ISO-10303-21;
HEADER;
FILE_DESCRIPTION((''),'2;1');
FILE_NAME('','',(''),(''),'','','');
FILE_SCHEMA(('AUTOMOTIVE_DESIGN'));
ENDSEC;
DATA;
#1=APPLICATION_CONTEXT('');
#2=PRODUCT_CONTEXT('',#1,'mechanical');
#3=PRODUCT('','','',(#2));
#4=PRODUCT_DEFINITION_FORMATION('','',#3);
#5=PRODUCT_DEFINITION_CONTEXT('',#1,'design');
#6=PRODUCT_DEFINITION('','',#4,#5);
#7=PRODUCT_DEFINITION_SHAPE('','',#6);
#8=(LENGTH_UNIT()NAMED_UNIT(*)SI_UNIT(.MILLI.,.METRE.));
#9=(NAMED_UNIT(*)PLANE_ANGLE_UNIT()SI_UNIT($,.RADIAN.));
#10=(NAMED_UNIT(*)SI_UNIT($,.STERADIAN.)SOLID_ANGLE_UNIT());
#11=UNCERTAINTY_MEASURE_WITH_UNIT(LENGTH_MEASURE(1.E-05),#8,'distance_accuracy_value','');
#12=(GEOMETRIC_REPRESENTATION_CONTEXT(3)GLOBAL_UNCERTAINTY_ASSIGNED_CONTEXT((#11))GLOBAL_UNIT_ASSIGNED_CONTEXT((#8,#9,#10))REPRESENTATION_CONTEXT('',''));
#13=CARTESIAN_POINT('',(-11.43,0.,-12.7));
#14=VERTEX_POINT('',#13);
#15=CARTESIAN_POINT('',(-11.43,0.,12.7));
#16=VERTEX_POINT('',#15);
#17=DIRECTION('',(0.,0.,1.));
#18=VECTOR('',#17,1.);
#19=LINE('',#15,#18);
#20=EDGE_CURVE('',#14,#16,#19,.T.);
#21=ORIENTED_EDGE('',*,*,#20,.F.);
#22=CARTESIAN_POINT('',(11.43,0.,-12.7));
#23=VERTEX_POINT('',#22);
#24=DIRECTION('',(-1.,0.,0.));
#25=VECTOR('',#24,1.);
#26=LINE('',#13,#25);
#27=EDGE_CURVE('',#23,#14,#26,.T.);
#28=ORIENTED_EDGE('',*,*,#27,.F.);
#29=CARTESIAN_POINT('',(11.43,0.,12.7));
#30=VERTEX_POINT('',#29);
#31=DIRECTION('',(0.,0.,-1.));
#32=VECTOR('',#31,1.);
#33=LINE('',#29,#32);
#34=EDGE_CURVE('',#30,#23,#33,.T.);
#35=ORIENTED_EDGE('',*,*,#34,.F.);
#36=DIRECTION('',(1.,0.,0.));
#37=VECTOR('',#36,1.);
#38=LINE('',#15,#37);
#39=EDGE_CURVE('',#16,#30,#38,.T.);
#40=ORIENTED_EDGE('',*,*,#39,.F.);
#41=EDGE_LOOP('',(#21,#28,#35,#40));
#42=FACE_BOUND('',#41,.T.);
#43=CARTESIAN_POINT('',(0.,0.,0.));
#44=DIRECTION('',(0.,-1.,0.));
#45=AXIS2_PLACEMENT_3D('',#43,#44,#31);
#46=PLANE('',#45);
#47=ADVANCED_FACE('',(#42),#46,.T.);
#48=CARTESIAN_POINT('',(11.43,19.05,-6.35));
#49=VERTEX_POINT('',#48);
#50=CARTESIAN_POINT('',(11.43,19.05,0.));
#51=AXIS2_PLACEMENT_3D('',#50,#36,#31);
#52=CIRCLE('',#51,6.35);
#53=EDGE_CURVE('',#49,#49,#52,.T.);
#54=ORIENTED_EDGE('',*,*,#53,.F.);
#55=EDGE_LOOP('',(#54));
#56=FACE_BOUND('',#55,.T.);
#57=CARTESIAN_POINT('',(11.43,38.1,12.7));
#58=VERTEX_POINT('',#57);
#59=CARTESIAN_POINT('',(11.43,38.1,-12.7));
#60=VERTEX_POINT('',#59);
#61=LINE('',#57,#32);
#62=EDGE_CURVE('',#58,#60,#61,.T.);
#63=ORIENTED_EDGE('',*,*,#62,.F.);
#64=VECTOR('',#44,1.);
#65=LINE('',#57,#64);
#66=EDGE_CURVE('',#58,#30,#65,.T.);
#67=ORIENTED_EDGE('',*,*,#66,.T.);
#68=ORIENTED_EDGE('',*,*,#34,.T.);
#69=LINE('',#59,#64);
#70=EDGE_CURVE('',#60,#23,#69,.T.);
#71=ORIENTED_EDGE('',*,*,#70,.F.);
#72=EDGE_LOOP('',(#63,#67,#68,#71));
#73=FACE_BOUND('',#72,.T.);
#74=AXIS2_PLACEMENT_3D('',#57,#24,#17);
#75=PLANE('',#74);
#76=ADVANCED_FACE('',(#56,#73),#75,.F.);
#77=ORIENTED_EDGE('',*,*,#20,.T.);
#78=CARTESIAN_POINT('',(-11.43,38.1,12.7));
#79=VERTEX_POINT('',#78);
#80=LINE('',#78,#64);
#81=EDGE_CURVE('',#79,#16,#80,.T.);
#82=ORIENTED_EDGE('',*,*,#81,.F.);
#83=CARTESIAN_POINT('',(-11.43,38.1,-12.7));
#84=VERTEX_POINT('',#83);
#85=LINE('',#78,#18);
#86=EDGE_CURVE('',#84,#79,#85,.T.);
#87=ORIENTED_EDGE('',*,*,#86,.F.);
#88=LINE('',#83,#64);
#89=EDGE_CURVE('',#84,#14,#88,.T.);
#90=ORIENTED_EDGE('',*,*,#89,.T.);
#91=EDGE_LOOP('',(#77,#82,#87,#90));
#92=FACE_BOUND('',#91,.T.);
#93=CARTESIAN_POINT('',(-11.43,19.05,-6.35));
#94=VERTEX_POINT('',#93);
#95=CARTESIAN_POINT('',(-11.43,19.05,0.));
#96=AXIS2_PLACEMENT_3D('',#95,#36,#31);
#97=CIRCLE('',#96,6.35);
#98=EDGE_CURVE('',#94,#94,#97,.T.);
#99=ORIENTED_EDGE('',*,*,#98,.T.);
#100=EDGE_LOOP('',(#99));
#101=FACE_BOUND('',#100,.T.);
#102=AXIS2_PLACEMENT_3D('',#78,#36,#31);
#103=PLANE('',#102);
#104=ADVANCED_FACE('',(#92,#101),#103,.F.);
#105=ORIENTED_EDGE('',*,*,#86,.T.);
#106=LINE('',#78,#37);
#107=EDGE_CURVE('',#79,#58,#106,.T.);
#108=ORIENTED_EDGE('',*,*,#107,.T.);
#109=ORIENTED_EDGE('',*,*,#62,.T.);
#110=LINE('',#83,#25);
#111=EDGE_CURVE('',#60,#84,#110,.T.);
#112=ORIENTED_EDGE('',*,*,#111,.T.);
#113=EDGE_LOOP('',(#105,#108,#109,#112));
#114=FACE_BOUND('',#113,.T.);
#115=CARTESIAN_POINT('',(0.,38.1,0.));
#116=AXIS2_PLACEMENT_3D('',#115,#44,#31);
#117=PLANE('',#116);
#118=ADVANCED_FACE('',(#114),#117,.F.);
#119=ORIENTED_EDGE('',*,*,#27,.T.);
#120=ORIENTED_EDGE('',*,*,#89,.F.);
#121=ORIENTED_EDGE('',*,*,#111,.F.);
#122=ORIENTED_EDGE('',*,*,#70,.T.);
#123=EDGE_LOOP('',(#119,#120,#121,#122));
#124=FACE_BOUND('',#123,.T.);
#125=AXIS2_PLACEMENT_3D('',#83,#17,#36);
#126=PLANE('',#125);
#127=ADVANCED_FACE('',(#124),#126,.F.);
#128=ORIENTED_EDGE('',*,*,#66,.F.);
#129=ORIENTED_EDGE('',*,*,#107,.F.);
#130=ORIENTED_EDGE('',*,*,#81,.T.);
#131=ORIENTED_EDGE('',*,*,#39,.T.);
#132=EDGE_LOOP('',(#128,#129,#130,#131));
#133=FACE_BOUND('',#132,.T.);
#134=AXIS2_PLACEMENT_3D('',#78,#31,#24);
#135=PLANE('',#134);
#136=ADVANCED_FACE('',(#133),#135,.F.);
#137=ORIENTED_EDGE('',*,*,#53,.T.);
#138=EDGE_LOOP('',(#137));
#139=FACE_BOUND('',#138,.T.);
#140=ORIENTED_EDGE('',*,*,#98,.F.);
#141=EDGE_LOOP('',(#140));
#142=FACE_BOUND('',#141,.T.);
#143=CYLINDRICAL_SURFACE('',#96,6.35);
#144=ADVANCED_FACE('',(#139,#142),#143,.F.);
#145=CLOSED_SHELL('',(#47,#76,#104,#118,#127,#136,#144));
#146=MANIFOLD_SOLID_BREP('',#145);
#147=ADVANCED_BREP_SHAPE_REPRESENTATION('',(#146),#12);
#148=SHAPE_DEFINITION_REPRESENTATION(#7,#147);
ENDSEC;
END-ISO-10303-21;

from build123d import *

# Parameters (mm, degrees)
SKETCH1_W           = 22.86
SKETCH1_H           = 25.4
BOSS_EXTRUDE1_DEPTH = 38.1
SKETCH2_R           = 6.35
CUT_EXTRUDE1_DEPTH  = 47.211249713


with BuildPart() as part:
    # Sketch1 → Boss-Extrude1 (new body)
    with BuildSketch(Plane(origin=(0, 0, 0), x_dir=(1, 0, 0), z_dir=(0, 1, 0))):
        Rectangle(SKETCH1_W, SKETCH1_H)
    extrude(amount=BOSS_EXTRUDE1_DEPTH)

    # Sketch2 → Cut-Extrude1 (cut, through all)
    with BuildSketch(Plane(origin=(11.43, 0, 0), x_dir=(0, 0, -1), z_dir=(1, 0, 0))):
        with Locations((0, 19.05)):
            Circle(SKETCH2_R)
    extrude(amount=-CUT_EXTRUDE1_DEPTH, mode=Mode.SUBTRACT)


solid = part.part
